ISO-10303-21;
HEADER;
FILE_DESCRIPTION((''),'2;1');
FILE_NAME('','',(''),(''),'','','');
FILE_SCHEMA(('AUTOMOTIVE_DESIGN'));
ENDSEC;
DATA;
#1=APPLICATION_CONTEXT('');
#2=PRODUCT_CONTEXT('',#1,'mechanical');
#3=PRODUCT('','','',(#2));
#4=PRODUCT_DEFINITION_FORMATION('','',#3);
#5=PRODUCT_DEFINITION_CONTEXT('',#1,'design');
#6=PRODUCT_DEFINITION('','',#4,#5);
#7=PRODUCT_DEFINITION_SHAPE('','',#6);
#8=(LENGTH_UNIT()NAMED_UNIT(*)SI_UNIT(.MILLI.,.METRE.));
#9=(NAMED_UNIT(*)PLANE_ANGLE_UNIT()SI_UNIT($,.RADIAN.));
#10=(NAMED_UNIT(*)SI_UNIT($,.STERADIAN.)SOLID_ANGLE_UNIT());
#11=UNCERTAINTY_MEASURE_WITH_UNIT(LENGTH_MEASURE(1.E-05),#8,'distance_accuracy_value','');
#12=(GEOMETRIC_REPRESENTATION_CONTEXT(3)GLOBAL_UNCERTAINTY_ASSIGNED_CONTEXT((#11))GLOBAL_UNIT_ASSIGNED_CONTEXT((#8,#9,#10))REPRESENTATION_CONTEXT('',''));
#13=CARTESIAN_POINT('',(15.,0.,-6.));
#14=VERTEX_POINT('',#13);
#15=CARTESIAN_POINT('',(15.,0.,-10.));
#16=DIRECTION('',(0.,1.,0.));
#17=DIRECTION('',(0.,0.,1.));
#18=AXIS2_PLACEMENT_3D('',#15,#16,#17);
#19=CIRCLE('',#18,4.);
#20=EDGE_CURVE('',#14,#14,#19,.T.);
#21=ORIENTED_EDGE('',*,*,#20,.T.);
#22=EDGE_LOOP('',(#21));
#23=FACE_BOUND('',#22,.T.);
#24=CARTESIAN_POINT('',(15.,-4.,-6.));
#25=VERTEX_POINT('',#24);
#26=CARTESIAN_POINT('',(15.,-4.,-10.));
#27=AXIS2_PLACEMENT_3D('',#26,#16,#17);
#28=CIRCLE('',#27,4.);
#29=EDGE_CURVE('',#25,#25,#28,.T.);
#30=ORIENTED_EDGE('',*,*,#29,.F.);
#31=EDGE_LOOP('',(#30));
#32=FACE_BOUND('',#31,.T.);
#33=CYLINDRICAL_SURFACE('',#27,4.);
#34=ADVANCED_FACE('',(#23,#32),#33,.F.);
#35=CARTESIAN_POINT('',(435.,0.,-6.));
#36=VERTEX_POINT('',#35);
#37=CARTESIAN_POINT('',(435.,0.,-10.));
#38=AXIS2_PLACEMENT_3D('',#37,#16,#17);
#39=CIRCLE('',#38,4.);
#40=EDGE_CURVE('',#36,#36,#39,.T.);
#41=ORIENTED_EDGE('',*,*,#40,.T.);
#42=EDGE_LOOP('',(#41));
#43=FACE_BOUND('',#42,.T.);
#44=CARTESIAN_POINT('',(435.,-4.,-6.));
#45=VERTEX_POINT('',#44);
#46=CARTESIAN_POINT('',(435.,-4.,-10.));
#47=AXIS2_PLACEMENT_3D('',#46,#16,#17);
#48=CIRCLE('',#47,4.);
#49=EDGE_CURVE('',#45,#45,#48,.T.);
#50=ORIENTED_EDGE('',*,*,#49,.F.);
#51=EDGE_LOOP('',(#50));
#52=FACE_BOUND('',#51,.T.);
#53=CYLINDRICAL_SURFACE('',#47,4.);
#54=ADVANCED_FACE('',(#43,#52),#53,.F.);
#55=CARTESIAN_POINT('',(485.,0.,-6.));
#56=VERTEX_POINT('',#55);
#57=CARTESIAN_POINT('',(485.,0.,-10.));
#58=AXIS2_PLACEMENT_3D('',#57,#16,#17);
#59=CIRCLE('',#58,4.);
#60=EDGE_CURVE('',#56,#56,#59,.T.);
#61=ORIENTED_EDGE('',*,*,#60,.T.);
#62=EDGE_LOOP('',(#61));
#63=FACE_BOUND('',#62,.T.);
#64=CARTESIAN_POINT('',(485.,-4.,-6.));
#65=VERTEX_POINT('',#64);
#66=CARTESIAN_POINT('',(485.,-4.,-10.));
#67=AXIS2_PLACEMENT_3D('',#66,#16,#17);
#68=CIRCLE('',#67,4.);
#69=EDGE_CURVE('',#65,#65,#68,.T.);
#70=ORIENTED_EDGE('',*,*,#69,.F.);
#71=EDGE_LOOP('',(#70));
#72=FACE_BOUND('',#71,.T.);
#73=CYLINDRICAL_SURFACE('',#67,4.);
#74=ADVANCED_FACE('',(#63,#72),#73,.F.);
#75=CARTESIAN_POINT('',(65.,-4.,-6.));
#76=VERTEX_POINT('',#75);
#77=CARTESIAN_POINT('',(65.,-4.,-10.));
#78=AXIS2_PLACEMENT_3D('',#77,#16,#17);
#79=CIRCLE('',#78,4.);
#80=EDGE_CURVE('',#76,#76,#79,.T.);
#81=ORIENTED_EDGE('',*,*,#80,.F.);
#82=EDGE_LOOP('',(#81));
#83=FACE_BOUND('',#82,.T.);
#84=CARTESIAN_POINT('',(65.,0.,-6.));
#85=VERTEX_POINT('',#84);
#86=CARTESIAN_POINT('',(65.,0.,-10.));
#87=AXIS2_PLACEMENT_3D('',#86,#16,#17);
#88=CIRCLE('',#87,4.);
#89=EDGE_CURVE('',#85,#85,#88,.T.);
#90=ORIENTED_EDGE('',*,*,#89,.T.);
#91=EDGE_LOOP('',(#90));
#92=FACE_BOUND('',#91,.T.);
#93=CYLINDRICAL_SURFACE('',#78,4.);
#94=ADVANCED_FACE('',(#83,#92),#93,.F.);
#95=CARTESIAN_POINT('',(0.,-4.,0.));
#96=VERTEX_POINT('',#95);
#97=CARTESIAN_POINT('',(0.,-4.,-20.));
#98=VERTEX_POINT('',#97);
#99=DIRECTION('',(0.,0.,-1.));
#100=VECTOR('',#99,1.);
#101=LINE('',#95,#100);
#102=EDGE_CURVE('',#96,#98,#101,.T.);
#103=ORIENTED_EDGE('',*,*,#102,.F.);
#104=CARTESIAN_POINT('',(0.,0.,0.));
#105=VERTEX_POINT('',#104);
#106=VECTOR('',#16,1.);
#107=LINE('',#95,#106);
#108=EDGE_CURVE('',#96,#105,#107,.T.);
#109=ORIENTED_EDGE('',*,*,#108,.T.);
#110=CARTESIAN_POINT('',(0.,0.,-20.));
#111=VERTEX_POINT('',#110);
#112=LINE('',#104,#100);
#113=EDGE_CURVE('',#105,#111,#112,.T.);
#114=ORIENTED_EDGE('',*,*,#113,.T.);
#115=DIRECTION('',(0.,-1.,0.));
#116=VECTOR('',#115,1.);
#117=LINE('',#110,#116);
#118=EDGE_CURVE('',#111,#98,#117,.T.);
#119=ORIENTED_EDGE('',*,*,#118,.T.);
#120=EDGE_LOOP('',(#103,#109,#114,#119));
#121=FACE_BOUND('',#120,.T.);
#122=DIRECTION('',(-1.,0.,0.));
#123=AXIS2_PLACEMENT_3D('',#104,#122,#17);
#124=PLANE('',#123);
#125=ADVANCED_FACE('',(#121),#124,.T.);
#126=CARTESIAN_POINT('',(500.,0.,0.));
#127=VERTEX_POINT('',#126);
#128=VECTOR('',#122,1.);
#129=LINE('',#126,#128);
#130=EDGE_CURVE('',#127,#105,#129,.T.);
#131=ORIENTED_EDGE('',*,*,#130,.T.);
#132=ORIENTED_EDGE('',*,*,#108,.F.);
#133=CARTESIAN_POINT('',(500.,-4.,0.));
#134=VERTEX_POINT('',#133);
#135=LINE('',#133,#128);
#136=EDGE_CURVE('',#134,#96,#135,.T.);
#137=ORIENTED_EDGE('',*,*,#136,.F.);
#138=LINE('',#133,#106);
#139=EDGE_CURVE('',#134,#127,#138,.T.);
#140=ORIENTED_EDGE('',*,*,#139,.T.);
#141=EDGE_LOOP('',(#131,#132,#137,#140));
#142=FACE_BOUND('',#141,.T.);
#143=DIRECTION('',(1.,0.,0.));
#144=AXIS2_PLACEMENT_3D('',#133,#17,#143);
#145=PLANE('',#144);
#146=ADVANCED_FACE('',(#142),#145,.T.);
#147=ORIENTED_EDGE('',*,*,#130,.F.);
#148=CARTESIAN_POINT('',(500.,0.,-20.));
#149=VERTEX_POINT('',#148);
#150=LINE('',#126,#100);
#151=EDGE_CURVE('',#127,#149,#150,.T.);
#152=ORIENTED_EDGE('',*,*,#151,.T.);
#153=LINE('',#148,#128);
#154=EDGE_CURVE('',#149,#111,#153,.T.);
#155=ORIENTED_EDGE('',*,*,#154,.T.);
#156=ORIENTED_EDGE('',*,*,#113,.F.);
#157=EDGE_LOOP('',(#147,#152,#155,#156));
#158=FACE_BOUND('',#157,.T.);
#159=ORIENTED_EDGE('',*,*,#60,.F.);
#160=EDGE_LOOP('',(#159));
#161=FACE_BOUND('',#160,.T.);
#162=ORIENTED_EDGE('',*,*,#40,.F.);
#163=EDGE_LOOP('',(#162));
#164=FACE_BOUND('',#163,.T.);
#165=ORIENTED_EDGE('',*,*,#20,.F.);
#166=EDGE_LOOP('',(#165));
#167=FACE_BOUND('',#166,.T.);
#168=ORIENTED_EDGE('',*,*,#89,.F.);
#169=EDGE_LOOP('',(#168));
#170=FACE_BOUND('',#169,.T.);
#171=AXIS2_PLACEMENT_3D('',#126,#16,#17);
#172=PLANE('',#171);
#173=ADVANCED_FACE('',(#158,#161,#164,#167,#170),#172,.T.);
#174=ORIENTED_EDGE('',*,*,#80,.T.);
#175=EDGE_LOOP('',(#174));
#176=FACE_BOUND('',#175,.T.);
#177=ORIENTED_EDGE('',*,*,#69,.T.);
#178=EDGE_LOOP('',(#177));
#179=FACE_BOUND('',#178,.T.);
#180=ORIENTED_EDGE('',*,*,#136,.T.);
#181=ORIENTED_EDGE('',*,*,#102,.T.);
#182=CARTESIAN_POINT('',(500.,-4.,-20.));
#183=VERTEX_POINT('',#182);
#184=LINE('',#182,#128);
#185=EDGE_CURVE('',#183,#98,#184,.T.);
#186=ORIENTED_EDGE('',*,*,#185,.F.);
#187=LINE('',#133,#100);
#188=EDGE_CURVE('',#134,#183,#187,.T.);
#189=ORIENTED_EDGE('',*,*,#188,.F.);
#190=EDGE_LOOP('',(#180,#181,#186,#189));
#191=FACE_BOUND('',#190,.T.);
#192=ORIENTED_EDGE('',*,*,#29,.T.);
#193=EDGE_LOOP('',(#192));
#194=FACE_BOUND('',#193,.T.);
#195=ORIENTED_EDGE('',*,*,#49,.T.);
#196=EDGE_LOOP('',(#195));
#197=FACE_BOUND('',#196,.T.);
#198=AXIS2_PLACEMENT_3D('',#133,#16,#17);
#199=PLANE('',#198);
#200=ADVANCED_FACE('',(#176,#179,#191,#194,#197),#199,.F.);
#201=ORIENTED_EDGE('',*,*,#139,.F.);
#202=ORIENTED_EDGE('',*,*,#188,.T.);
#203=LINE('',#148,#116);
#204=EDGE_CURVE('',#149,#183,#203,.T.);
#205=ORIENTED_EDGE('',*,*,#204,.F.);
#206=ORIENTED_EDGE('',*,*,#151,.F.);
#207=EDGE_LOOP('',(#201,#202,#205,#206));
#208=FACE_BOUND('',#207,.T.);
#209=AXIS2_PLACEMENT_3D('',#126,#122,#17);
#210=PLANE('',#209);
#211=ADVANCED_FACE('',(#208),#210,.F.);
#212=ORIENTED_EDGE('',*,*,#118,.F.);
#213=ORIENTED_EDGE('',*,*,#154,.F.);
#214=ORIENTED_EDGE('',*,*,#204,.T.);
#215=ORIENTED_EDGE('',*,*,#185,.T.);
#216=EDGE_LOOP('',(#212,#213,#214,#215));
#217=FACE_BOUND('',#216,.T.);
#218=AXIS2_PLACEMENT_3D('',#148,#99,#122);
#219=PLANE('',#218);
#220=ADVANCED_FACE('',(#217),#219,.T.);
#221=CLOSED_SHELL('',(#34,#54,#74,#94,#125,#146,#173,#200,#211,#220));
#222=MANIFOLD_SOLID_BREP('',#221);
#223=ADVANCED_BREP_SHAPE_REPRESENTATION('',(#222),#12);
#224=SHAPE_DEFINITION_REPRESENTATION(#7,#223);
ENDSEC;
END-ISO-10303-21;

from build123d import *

# Parameters (mm, degrees)
SKETCH_1_W          = 20
SKETCH_1_H          = 4
EXTRUDE_1_DEPTH     = 500
SKETCH_2_R          = 4
CUT_EXTRUDE_1_DEPTH = 5


with BuildPart() as part:
    # Эскиз1 → Вытянуть-Тонкостенный1 (new body)
    with BuildSketch(Plane(origin=(0, 0, 0), x_dir=(0, 0, -1), z_dir=(1, 0, 0))):
        with Locations((10, -2)):
            Rectangle(SKETCH_1_W, SKETCH_1_H)
    extrude(amount=EXTRUDE_1_DEPTH)

    # Эскиз2 → Вырез-Вытянуть1 (cut, through all)
    with BuildSketch(Plane(origin=(0, 0, 0), x_dir=(1, 0, 0), z_dir=(0, 1, 0))):
        with Locations((15, 10)):
            Circle(SKETCH_2_R)
        with Locations((65, 10)):
            Circle(SKETCH_2_R)
        with Locations((435, 10)):
            Circle(SKETCH_2_R)
        with Locations((485, 10)):
            Circle(SKETCH_2_R)
    extrude(amount=-CUT_EXTRUDE_1_DEPTH, mode=Mode.SUBTRACT)


solid = part.part
